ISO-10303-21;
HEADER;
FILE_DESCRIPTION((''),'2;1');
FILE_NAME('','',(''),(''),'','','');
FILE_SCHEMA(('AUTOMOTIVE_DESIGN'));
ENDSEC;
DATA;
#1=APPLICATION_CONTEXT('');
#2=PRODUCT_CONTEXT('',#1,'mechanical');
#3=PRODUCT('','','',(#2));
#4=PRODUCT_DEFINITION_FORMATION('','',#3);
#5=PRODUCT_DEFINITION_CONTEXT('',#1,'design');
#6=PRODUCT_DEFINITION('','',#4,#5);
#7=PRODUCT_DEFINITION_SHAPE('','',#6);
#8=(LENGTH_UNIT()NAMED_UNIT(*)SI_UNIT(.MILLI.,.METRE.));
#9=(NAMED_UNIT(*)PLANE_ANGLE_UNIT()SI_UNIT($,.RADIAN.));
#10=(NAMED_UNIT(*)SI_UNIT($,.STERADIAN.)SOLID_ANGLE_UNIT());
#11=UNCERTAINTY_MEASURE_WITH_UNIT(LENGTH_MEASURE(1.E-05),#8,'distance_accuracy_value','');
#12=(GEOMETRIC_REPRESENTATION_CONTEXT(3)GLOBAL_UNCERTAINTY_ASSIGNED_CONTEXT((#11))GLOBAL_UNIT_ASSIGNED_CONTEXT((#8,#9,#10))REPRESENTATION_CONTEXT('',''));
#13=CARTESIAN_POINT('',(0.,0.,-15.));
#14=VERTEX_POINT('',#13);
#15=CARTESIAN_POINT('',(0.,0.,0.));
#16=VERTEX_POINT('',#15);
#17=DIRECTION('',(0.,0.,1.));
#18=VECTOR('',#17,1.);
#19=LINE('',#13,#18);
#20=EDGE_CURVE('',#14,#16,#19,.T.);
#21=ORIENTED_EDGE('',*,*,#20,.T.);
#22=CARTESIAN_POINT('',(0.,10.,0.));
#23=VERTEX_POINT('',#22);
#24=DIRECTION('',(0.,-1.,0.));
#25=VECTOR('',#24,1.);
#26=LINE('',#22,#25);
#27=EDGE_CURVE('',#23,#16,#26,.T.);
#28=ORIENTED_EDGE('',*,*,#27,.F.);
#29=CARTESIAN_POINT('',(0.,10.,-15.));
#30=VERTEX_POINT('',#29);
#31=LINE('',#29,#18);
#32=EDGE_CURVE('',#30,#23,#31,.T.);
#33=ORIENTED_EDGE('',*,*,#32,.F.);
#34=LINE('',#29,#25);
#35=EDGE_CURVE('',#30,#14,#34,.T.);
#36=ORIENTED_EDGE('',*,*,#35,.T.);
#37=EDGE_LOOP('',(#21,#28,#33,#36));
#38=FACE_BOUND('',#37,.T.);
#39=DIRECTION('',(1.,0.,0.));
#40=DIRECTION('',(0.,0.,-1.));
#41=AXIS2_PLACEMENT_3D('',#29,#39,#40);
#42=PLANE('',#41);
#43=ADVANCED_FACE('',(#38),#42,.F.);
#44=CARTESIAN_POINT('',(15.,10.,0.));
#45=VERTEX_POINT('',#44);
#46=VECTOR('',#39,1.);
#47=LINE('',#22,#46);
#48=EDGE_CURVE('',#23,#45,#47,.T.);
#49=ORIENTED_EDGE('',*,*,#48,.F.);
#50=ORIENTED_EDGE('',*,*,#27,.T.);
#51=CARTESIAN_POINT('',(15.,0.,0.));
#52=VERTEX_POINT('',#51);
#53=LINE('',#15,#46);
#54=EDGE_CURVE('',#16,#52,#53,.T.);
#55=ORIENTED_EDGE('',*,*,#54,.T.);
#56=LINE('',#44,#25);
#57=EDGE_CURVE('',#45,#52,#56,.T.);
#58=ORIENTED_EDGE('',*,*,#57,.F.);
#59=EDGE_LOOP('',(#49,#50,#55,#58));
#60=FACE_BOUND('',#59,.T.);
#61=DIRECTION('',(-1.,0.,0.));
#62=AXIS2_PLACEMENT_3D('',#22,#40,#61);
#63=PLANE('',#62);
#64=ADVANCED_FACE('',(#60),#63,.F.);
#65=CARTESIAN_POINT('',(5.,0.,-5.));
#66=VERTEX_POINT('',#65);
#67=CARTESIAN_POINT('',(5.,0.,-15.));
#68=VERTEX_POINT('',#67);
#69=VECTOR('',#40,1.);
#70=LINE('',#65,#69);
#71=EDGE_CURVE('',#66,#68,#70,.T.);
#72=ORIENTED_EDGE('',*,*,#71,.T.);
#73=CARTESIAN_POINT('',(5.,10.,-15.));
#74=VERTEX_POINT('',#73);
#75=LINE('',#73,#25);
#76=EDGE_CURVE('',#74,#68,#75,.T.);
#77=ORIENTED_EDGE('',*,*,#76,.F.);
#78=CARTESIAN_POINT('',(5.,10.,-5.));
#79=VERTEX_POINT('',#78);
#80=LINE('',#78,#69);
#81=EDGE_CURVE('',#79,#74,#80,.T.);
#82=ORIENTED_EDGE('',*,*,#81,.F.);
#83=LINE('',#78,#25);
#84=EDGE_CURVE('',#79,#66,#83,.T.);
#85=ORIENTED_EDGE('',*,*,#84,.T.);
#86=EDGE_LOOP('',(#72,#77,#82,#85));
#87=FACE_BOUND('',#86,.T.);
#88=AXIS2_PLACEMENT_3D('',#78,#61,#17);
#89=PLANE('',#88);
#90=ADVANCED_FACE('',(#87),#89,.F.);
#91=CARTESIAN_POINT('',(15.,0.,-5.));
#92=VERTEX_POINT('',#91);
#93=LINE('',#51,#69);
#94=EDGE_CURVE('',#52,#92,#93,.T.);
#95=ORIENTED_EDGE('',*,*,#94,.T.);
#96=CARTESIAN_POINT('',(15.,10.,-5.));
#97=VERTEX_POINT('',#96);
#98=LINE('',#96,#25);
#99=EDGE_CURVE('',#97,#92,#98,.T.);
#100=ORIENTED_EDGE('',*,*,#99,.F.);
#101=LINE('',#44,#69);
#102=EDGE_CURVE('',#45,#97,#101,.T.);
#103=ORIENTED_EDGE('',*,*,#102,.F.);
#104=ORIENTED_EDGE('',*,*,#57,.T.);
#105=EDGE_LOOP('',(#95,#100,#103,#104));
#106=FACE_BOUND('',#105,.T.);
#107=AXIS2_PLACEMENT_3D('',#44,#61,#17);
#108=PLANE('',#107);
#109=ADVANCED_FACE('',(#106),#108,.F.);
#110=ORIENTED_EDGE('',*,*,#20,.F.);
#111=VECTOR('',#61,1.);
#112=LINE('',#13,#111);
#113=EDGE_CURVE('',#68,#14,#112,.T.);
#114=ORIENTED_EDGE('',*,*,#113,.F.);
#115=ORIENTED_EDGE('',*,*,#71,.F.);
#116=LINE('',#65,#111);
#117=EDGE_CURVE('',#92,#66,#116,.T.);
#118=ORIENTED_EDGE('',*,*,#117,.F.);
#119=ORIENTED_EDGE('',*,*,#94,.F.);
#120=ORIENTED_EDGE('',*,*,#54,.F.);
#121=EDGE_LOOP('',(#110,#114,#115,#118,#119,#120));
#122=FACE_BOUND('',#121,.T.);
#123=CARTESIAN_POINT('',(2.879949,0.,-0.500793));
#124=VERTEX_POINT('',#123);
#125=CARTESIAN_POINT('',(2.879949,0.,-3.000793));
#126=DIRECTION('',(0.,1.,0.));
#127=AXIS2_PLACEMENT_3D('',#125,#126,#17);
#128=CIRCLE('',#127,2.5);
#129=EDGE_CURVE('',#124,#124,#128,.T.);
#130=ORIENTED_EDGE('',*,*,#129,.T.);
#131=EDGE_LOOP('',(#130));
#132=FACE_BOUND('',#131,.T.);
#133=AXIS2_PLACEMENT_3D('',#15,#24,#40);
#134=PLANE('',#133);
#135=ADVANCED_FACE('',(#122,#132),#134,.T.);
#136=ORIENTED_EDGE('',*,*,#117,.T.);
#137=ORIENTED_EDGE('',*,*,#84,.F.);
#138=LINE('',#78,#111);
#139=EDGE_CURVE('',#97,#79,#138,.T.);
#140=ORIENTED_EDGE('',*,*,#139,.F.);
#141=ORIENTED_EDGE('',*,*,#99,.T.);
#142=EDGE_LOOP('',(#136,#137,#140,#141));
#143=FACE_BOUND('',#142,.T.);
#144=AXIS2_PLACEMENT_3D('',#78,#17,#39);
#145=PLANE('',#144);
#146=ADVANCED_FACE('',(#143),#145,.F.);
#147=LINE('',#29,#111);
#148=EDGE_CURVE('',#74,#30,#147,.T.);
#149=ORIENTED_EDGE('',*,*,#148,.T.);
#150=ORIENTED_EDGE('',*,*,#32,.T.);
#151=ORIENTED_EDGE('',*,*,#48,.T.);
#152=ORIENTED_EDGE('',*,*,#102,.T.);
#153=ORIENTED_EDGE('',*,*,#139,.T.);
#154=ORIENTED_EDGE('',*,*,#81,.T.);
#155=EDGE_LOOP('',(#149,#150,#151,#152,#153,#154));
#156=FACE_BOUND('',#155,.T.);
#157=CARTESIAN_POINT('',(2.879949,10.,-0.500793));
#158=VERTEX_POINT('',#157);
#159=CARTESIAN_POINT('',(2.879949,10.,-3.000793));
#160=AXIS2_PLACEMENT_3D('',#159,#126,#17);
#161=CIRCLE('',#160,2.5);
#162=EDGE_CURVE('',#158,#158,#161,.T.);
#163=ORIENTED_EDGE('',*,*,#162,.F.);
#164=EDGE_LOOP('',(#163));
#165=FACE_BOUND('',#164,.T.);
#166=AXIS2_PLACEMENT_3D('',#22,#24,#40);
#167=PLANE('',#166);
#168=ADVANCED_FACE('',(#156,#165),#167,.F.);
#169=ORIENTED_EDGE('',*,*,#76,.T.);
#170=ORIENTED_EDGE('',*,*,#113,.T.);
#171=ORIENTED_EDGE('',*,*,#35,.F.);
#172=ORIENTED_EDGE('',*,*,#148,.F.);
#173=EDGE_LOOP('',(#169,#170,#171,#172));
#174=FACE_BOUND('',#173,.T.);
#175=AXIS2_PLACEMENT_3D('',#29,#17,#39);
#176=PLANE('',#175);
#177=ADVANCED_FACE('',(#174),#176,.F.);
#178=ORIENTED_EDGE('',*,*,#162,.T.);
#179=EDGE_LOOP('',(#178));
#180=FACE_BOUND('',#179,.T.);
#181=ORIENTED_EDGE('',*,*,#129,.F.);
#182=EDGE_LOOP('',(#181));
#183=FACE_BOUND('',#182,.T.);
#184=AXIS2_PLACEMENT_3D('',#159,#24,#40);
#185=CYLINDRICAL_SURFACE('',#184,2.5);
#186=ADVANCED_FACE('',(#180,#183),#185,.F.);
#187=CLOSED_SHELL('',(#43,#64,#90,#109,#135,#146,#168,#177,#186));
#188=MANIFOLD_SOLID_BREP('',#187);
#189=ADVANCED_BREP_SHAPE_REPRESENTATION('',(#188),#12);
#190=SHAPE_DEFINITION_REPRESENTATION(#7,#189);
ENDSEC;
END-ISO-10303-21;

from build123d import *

# Parameters (mm, degrees)
SKETCH1_R           = 2.5
BOSS_EXTRUDE1_DEPTH = 10


with BuildPart() as part:
    # Sketch1 → Boss-Extrude1 (new body)
    with BuildSketch(Plane(origin=(0, 0, 0), x_dir=(1, 0, 0), z_dir=(0, 1, 0))):
        Polygon((0, 15), (0, 0), (15, 0), (15, 5), (5, 5), (5, 15), align=None)
        with Locations(Location((2.879948547, 3.000793191, 0), (0, 0, 270))):
            Circle(SKETCH1_R, mode=Mode.SUBTRACT)
    extrude(amount=BOSS_EXTRUDE1_DEPTH)


solid = part.part
